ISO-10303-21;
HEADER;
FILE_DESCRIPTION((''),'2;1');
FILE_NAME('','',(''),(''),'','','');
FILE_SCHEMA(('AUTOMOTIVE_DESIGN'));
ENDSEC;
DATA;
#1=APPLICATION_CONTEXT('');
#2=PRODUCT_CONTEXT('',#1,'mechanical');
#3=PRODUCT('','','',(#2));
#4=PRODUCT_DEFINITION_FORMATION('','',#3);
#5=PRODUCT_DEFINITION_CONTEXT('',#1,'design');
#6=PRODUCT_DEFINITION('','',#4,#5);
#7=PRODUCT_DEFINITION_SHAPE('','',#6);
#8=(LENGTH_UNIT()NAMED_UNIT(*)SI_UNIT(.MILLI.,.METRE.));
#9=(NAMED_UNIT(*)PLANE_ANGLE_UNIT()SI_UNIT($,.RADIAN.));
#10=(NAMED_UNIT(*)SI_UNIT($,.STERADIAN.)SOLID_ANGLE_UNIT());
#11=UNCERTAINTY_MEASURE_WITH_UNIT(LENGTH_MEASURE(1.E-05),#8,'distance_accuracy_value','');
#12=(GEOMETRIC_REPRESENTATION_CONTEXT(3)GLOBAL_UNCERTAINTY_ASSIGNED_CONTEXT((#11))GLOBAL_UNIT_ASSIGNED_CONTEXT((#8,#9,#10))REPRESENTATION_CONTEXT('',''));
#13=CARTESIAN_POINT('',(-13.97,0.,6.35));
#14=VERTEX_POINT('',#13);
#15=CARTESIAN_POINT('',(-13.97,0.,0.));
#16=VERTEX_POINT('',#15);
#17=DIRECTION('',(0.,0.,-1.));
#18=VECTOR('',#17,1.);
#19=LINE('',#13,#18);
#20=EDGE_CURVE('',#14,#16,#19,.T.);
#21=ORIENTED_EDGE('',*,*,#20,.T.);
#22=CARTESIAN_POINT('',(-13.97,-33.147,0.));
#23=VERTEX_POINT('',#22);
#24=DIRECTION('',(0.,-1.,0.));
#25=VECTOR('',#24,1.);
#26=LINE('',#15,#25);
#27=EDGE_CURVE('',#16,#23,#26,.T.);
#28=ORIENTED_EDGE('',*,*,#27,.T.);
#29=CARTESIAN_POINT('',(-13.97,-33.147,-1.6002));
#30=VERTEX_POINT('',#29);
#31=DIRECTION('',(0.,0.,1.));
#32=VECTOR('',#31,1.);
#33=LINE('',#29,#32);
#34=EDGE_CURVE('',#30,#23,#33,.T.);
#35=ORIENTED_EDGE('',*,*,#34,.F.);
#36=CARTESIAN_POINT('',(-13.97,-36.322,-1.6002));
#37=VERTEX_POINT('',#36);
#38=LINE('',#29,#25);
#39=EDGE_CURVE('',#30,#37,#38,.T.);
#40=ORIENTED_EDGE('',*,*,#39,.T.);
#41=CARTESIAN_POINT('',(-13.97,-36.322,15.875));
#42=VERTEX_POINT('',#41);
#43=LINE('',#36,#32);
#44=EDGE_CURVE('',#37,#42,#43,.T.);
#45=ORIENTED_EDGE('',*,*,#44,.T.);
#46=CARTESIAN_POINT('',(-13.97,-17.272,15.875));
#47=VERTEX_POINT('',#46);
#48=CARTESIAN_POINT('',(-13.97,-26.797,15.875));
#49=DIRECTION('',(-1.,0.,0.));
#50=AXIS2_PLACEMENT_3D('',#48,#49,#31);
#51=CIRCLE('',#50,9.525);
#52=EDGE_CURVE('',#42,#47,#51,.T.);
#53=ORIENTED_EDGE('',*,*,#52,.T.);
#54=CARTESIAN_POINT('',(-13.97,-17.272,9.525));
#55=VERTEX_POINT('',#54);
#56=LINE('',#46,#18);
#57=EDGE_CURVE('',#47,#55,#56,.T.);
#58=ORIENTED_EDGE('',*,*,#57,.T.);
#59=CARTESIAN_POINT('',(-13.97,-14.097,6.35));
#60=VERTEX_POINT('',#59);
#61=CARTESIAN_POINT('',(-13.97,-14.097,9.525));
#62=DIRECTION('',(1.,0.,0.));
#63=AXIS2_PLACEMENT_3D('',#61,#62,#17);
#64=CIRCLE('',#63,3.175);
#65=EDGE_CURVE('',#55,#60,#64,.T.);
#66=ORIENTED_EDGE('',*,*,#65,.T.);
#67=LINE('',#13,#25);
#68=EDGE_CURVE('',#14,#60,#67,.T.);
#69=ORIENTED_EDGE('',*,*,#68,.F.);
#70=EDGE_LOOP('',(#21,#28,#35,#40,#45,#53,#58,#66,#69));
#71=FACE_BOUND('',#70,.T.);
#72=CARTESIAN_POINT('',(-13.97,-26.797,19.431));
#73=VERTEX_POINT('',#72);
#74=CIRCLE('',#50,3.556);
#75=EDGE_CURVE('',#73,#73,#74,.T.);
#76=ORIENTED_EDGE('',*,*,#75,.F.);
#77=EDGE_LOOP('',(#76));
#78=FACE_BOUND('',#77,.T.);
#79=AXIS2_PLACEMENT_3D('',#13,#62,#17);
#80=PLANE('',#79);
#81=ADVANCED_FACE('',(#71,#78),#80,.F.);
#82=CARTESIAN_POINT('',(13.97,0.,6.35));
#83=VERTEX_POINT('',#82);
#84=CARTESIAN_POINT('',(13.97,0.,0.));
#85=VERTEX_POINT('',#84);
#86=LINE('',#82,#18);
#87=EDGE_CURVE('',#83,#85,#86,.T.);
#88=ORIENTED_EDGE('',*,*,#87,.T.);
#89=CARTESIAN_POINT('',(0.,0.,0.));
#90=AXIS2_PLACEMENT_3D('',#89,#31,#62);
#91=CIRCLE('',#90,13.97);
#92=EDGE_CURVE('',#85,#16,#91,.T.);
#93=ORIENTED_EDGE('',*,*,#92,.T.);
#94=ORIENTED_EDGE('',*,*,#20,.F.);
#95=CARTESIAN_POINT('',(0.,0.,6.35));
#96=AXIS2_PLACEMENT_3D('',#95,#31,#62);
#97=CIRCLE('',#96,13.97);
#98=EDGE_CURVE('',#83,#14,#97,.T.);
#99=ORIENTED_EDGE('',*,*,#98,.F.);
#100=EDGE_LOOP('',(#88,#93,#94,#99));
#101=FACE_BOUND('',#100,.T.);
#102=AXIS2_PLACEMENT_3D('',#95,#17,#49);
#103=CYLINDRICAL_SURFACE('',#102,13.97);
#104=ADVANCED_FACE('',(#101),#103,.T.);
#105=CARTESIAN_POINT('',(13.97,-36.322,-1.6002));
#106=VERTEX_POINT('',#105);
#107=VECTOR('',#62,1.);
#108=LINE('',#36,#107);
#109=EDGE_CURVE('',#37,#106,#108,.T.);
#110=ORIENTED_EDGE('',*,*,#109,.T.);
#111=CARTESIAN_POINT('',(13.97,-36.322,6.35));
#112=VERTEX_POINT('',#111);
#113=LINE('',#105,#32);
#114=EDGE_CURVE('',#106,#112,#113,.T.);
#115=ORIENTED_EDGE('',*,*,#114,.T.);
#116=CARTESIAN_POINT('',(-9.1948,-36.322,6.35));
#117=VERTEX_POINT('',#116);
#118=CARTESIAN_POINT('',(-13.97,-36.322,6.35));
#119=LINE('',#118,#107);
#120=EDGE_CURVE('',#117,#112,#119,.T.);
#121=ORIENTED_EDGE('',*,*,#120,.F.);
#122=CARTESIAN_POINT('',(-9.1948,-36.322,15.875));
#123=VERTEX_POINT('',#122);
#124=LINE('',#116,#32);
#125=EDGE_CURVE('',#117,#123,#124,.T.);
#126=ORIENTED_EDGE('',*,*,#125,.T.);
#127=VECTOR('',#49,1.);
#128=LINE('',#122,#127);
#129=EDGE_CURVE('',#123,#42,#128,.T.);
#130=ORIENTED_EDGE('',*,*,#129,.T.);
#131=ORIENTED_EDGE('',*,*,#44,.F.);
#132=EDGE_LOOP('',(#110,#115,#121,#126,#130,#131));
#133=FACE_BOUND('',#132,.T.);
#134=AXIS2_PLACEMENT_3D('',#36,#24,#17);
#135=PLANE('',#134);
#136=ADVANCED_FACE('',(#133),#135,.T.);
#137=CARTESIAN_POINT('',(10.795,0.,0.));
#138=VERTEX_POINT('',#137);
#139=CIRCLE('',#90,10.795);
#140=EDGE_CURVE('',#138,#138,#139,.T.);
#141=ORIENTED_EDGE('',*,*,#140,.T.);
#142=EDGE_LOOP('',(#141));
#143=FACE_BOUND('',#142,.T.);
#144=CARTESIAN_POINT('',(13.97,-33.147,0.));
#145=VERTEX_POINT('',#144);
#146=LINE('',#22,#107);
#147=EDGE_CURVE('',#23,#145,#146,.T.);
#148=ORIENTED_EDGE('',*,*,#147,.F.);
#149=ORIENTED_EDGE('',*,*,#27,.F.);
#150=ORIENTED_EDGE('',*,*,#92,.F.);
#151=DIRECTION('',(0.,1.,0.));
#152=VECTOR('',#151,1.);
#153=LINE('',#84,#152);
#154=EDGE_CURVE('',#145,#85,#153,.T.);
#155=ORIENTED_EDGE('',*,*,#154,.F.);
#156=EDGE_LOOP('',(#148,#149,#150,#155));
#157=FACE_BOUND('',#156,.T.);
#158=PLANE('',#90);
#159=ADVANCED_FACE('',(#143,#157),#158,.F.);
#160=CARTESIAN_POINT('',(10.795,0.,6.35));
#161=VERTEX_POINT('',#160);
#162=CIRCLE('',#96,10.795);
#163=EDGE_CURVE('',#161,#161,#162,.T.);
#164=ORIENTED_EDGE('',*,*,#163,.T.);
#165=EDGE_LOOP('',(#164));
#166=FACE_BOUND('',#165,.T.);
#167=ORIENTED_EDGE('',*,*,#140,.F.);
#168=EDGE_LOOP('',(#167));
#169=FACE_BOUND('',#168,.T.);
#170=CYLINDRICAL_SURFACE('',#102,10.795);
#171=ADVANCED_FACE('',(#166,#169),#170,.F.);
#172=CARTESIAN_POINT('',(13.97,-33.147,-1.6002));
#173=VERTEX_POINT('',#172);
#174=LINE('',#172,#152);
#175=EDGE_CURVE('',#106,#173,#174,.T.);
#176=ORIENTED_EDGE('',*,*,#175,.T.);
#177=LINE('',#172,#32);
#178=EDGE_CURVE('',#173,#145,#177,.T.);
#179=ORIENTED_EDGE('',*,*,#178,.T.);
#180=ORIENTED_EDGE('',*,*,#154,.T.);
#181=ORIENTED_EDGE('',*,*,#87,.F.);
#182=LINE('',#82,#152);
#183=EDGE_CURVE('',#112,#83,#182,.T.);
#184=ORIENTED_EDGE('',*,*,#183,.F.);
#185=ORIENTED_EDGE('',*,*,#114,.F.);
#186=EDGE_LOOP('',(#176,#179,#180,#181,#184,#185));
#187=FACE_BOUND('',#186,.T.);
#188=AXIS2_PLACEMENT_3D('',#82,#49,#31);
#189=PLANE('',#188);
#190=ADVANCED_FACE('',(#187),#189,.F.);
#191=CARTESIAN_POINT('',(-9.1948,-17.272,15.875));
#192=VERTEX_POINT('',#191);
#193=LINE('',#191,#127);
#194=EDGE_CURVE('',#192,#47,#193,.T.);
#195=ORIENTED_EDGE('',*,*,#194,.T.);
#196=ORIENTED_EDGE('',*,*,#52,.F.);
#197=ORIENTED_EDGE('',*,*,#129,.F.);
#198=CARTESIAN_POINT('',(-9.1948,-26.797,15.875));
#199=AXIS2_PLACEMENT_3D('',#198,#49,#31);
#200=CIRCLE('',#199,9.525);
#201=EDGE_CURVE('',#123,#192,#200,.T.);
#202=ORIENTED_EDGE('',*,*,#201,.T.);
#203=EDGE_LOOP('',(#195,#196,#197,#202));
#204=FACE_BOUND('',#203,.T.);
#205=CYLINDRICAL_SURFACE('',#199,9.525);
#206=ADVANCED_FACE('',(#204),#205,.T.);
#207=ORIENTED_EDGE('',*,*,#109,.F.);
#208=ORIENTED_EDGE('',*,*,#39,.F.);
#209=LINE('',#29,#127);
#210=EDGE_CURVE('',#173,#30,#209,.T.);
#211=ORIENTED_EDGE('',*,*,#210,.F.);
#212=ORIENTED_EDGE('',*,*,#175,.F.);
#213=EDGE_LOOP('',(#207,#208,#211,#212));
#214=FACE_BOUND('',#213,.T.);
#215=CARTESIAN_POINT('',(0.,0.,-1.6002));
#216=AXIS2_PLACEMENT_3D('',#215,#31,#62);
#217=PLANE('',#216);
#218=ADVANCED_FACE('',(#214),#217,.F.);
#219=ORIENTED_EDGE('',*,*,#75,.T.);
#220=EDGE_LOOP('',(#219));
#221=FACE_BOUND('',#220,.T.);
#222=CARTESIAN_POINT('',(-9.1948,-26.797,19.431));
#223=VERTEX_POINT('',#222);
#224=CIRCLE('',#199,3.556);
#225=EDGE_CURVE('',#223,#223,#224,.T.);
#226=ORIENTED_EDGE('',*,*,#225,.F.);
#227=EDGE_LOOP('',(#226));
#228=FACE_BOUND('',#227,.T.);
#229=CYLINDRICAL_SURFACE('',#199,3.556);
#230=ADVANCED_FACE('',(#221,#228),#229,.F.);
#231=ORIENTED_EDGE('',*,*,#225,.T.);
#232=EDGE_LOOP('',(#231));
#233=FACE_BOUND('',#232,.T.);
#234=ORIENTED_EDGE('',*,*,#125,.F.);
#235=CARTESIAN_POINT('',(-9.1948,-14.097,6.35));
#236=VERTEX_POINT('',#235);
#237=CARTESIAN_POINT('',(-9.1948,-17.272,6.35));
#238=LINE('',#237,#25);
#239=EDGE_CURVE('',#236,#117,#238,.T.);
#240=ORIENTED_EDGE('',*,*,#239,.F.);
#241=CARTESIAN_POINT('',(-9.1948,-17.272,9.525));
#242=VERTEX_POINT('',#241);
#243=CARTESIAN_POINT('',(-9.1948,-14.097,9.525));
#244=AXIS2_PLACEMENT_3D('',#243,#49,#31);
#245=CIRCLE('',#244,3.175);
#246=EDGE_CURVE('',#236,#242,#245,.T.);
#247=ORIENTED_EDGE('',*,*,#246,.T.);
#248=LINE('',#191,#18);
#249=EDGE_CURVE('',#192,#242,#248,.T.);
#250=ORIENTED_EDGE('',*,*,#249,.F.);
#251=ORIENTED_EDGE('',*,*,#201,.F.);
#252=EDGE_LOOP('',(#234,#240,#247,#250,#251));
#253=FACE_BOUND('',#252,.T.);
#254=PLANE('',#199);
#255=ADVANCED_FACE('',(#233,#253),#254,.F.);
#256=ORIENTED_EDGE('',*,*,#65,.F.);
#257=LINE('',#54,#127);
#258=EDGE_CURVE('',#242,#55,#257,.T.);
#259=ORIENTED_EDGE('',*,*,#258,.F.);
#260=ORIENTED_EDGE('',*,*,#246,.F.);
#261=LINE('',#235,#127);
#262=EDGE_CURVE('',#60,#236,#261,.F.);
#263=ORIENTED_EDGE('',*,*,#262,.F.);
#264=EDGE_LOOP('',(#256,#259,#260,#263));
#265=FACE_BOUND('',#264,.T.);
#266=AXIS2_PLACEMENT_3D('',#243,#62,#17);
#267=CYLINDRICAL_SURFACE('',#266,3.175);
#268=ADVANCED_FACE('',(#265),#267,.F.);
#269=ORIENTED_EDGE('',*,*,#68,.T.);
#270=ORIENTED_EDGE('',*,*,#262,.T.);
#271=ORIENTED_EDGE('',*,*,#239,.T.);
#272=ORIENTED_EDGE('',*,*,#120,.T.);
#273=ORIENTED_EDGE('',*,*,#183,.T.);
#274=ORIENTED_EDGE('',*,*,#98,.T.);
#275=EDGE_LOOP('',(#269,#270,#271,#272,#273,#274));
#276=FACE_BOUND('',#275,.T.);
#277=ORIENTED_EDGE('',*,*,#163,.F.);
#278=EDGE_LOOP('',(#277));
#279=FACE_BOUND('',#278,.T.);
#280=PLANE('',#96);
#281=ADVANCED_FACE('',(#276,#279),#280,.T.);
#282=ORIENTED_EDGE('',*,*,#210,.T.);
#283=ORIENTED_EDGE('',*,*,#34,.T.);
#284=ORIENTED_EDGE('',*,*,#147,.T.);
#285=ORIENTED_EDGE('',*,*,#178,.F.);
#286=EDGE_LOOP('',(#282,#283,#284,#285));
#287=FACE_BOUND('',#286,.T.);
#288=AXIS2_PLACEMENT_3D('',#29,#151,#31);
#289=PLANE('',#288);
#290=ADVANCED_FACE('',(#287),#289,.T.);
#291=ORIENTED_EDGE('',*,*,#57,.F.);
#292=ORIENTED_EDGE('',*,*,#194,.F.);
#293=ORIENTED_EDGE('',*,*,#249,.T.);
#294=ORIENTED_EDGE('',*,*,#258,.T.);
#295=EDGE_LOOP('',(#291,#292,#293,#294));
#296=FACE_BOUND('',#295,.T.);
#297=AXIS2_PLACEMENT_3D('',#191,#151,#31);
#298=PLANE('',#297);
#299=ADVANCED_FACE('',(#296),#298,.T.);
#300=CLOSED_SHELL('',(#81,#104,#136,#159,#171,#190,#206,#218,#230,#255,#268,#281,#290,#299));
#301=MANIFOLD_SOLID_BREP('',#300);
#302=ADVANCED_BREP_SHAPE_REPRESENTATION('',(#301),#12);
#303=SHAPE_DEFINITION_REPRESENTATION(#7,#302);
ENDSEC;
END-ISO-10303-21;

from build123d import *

# Parameters (mm, degrees)
SKETCH2_R           = 10.795
BOSS_EXTRUDE1_DEPTH = 6.35
SKETCH4_W           = 27.94
SKETCH4_H           = 3.175
BOSS_EXTRUDE2_DEPTH = 7.9502
SKETCH5_R           = 3.556
BOSS_EXTRUDE3_DEPTH = 4.7752
FILLET2_R           = 3.175


with BuildPart() as part:
    # Sketch2 → Boss-Extrude1 (new body)
    with BuildSketch(Plane.XY):
        with BuildLine():
            Line((-13.97, 0), (-13.97, -33.147))
            Line((-13.97, -33.147), (13.97, -33.147))
            Line((13.97, -33.147), (13.97, 0))
            ThreePointArc((13.97, 0), (0, 13.97), (-13.97, 0))
        make_face()
        Circle(SKETCH2_R, mode=Mode.SUBTRACT)
    extrude(amount=BOSS_EXTRUDE1_DEPTH)

    # Sketch4 → Boss-Extrude2 (add)
    with BuildSketch(Plane.XY.offset(6.35)):
        with Locations((0, -34.7345)):
            Rectangle(SKETCH4_W, SKETCH4_H)
    extrude(amount=-BOSS_EXTRUDE2_DEPTH)

    # Sketch5 → Boss-Extrude3 (add)
    with BuildSketch(Plane.ZY.offset(13.97)):
        with BuildLine():
            Line((6.35, -36.322), (15.875, -36.322))
            ThreePointArc((15.875, -36.322), (25.4, -26.797), (15.875, -17.272))
            Line((15.875, -17.272), (6.35, -17.272))
            Line((6.35, -17.272), (6.35, -36.322))
        make_face()
        with Locations((15.875, -26.797)):
            Circle(SKETCH5_R, mode=Mode.SUBTRACT)
    extrude(amount=-BOSS_EXTRUDE3_DEPTH)

    # Fillet2
    fillet2_edges = [part.edges().sort_by_distance(p)[0] for p in [
        (-11.5824, -17.272, 6.35),
    ]]
    fillet(fillet2_edges, radius=FILLET2_R)


solid = part.part
